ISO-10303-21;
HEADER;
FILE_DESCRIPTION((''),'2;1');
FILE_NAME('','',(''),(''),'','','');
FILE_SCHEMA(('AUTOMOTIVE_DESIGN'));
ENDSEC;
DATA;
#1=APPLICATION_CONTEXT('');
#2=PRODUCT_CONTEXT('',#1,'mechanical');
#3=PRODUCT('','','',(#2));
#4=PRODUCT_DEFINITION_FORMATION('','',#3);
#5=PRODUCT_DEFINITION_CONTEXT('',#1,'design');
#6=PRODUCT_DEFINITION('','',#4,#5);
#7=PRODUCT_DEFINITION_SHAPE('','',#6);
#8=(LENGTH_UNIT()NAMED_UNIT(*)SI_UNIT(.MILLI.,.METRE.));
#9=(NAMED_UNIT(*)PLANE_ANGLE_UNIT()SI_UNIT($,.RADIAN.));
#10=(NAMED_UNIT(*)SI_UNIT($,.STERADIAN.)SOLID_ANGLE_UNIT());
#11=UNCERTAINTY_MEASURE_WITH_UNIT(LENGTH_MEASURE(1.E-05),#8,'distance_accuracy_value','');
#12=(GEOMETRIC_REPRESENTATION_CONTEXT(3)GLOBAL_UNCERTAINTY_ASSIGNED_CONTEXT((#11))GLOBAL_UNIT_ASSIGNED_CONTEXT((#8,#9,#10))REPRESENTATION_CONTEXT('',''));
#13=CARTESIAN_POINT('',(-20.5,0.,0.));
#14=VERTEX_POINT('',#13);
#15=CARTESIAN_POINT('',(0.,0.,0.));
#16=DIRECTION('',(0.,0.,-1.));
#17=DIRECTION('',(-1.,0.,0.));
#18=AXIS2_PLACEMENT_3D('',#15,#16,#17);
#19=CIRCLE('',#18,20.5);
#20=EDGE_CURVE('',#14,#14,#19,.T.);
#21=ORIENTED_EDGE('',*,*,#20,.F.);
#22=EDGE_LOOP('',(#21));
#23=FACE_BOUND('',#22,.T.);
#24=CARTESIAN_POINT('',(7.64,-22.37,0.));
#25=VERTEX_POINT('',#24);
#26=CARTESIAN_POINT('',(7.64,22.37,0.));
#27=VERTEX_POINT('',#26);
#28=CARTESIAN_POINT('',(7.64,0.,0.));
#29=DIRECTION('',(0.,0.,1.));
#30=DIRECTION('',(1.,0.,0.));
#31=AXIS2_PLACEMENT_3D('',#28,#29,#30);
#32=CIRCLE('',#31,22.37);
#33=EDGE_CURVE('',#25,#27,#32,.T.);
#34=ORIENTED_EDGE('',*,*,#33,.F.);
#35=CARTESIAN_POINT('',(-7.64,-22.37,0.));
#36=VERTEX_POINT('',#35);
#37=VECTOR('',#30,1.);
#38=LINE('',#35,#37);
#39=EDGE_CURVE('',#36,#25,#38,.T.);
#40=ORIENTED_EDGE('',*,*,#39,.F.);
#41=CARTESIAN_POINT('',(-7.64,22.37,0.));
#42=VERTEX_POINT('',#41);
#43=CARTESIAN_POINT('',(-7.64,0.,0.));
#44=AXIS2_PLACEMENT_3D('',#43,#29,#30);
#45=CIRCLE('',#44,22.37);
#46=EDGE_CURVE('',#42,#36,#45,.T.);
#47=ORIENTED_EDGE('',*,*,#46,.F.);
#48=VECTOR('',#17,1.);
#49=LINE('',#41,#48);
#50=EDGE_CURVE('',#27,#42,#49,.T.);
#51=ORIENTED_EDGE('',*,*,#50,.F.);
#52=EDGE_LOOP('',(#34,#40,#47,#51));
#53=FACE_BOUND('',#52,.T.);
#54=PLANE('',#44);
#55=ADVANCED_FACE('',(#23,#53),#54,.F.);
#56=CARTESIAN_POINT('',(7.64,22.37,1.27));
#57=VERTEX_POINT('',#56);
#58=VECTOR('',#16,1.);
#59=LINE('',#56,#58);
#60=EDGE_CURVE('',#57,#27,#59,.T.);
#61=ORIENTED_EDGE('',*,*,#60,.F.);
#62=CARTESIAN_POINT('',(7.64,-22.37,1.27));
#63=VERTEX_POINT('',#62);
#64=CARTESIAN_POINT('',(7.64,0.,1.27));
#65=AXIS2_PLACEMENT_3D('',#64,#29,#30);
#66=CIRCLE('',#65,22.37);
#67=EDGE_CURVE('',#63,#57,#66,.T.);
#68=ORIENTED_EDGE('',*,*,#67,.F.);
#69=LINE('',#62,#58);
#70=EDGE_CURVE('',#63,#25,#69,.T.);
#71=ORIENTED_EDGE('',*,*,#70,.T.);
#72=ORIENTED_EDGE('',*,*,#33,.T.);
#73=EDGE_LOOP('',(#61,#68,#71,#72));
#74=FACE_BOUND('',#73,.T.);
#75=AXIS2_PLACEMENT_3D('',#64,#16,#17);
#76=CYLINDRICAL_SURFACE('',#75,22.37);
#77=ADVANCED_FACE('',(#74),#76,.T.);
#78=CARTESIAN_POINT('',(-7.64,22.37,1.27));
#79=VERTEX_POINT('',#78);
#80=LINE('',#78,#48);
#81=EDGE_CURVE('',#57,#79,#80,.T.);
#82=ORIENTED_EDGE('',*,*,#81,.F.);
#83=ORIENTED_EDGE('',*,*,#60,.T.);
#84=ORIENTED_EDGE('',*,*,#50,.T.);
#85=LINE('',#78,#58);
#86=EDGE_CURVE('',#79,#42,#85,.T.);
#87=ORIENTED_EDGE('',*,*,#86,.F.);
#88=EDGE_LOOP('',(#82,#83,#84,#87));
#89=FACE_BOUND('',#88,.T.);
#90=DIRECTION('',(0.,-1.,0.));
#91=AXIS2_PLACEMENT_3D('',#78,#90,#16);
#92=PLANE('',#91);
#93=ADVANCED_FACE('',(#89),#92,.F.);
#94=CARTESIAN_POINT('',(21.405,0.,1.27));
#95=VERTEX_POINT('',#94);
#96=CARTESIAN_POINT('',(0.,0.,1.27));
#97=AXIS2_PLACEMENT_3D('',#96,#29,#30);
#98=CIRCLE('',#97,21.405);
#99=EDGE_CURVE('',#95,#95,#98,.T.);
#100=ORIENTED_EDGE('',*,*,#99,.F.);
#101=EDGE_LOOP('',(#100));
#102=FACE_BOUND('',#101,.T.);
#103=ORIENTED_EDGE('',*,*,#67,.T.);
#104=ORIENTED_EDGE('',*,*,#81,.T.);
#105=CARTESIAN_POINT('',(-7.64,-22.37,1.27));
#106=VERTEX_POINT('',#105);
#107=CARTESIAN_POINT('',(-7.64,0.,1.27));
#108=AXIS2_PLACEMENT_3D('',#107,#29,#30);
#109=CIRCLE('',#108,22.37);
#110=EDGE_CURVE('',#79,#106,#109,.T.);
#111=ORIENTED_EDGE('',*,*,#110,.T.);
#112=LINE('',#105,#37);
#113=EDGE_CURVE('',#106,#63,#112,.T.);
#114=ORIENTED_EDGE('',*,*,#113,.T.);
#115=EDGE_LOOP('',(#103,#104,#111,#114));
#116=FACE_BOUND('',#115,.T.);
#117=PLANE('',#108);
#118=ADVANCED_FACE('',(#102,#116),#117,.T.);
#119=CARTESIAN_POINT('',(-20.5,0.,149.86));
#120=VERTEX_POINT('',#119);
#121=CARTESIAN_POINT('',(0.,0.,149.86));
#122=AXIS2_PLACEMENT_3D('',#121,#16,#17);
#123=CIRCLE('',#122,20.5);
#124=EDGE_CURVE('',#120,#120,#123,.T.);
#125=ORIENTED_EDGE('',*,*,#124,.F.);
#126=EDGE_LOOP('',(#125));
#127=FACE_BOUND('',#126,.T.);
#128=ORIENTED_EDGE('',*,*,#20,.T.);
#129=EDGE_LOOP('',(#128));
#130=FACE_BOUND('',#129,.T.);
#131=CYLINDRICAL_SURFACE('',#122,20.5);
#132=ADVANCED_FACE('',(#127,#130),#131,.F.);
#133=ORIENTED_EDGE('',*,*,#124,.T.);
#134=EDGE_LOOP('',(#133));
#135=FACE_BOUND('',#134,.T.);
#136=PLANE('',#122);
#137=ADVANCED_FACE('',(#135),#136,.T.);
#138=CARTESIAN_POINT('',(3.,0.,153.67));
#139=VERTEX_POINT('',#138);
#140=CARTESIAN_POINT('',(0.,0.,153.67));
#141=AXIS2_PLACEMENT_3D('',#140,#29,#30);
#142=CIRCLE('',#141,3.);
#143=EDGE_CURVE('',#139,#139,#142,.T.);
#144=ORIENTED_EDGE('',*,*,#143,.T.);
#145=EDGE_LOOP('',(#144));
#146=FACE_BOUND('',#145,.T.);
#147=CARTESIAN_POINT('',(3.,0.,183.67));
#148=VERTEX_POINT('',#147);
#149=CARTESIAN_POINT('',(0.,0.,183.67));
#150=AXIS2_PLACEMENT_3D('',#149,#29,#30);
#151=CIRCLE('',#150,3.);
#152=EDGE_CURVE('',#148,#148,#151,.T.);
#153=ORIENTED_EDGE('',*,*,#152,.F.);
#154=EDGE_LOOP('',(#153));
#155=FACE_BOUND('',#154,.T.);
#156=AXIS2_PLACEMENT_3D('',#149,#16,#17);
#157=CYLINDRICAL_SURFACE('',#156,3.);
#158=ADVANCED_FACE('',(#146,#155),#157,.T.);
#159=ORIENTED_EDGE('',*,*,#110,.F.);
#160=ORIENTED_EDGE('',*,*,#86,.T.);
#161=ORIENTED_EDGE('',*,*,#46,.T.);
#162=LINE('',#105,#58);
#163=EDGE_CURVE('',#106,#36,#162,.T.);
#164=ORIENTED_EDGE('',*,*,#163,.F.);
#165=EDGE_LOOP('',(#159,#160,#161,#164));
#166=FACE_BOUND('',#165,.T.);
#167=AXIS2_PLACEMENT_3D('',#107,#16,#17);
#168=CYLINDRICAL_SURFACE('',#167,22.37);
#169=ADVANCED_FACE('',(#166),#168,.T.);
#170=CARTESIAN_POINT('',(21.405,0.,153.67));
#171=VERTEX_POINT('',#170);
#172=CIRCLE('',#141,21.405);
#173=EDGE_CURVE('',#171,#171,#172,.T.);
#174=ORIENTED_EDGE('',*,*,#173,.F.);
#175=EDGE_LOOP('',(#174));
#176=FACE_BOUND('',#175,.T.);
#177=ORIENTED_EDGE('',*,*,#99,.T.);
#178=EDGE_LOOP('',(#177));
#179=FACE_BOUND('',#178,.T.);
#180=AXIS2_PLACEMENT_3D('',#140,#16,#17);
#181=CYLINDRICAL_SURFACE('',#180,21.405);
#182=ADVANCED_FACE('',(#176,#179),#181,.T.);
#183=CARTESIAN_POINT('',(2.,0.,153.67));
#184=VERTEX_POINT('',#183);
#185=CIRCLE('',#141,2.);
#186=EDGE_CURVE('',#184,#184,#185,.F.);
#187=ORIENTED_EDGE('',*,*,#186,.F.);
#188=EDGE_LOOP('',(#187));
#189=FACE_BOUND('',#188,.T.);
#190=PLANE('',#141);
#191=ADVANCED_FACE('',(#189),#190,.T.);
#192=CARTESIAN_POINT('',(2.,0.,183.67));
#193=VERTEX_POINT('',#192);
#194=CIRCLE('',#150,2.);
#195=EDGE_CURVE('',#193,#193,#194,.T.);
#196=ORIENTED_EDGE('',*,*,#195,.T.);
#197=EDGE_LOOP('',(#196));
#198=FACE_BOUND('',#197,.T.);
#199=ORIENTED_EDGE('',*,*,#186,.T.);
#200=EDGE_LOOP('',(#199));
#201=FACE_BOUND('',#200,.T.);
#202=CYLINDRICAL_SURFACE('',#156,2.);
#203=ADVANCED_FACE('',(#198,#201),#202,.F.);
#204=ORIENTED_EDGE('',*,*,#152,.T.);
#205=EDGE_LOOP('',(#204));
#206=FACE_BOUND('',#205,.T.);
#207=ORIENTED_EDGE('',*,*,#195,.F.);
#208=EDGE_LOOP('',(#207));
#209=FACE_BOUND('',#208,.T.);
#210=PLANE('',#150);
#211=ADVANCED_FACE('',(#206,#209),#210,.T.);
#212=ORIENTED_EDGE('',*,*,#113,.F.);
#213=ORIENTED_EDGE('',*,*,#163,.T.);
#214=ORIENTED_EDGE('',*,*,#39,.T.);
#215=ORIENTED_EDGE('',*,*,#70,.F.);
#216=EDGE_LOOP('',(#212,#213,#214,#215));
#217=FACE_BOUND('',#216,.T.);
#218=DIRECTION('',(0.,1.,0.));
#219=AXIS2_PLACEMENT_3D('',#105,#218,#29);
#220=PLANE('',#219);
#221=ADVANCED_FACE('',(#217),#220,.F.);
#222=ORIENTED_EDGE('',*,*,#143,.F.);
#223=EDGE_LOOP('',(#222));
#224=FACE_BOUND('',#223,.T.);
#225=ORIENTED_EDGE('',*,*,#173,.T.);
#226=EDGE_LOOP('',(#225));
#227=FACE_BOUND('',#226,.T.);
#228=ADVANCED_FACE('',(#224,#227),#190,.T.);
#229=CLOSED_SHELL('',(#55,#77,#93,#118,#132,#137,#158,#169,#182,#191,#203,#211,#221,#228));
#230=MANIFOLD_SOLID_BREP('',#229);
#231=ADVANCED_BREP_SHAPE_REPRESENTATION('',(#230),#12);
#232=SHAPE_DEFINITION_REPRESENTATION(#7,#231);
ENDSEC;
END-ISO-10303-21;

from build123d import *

# Parameters (mm, degrees)
BOSS_EXTRUDE1_DEPTH = 1.27
SKETCH2_R           = 21.405
BOSS_EXTRUDE2_DEPTH = 152.4
SKETCH3_R           = 20.5
CUT_EXTRUDE1_DEPTH  = 149.86
SKETCH4_R           = 3
SKETCH4_R_2         = 2
BOSS_EXTRUDE3_DEPTH = 30


with BuildPart() as part:
    # Sketch1 → Boss-Extrude1 (new body)
    with BuildSketch(Plane.XY):
        with BuildLine():
            Line((-7.64, 22.37), (7.64, 22.37))
            ThreePointArc((7.64, 22.37), (30.01, 0), (7.64, -22.37))
            Line((7.64, -22.37), (-7.64, -22.37))
            ThreePointArc((-7.64, -22.37), (-30.01, 0), (-7.64, 22.37))
        make_face()
    extrude(amount=BOSS_EXTRUDE1_DEPTH)

    # Sketch2 → Boss-Extrude2 (add)
    with BuildSketch(Plane.XY.offset(1.27)):
        Circle(SKETCH2_R)
    extrude(amount=BOSS_EXTRUDE2_DEPTH)

    # Sketch3 → Cut-Extrude1 (cut)
    with BuildSketch(Plane(origin=(0, 0, 0), x_dir=(-1, 0, 0), z_dir=(0, 0, -1))):
        Circle(SKETCH3_R)
    extrude(amount=-CUT_EXTRUDE1_DEPTH, mode=Mode.SUBTRACT)

    # Sketch4 → Boss-Extrude3 (add)
    with BuildSketch(Plane.XY.offset(153.67)):
        Circle(SKETCH4_R)
        Circle(SKETCH4_R_2, mode=Mode.SUBTRACT)
    extrude(amount=BOSS_EXTRUDE3_DEPTH)


solid = part.part
